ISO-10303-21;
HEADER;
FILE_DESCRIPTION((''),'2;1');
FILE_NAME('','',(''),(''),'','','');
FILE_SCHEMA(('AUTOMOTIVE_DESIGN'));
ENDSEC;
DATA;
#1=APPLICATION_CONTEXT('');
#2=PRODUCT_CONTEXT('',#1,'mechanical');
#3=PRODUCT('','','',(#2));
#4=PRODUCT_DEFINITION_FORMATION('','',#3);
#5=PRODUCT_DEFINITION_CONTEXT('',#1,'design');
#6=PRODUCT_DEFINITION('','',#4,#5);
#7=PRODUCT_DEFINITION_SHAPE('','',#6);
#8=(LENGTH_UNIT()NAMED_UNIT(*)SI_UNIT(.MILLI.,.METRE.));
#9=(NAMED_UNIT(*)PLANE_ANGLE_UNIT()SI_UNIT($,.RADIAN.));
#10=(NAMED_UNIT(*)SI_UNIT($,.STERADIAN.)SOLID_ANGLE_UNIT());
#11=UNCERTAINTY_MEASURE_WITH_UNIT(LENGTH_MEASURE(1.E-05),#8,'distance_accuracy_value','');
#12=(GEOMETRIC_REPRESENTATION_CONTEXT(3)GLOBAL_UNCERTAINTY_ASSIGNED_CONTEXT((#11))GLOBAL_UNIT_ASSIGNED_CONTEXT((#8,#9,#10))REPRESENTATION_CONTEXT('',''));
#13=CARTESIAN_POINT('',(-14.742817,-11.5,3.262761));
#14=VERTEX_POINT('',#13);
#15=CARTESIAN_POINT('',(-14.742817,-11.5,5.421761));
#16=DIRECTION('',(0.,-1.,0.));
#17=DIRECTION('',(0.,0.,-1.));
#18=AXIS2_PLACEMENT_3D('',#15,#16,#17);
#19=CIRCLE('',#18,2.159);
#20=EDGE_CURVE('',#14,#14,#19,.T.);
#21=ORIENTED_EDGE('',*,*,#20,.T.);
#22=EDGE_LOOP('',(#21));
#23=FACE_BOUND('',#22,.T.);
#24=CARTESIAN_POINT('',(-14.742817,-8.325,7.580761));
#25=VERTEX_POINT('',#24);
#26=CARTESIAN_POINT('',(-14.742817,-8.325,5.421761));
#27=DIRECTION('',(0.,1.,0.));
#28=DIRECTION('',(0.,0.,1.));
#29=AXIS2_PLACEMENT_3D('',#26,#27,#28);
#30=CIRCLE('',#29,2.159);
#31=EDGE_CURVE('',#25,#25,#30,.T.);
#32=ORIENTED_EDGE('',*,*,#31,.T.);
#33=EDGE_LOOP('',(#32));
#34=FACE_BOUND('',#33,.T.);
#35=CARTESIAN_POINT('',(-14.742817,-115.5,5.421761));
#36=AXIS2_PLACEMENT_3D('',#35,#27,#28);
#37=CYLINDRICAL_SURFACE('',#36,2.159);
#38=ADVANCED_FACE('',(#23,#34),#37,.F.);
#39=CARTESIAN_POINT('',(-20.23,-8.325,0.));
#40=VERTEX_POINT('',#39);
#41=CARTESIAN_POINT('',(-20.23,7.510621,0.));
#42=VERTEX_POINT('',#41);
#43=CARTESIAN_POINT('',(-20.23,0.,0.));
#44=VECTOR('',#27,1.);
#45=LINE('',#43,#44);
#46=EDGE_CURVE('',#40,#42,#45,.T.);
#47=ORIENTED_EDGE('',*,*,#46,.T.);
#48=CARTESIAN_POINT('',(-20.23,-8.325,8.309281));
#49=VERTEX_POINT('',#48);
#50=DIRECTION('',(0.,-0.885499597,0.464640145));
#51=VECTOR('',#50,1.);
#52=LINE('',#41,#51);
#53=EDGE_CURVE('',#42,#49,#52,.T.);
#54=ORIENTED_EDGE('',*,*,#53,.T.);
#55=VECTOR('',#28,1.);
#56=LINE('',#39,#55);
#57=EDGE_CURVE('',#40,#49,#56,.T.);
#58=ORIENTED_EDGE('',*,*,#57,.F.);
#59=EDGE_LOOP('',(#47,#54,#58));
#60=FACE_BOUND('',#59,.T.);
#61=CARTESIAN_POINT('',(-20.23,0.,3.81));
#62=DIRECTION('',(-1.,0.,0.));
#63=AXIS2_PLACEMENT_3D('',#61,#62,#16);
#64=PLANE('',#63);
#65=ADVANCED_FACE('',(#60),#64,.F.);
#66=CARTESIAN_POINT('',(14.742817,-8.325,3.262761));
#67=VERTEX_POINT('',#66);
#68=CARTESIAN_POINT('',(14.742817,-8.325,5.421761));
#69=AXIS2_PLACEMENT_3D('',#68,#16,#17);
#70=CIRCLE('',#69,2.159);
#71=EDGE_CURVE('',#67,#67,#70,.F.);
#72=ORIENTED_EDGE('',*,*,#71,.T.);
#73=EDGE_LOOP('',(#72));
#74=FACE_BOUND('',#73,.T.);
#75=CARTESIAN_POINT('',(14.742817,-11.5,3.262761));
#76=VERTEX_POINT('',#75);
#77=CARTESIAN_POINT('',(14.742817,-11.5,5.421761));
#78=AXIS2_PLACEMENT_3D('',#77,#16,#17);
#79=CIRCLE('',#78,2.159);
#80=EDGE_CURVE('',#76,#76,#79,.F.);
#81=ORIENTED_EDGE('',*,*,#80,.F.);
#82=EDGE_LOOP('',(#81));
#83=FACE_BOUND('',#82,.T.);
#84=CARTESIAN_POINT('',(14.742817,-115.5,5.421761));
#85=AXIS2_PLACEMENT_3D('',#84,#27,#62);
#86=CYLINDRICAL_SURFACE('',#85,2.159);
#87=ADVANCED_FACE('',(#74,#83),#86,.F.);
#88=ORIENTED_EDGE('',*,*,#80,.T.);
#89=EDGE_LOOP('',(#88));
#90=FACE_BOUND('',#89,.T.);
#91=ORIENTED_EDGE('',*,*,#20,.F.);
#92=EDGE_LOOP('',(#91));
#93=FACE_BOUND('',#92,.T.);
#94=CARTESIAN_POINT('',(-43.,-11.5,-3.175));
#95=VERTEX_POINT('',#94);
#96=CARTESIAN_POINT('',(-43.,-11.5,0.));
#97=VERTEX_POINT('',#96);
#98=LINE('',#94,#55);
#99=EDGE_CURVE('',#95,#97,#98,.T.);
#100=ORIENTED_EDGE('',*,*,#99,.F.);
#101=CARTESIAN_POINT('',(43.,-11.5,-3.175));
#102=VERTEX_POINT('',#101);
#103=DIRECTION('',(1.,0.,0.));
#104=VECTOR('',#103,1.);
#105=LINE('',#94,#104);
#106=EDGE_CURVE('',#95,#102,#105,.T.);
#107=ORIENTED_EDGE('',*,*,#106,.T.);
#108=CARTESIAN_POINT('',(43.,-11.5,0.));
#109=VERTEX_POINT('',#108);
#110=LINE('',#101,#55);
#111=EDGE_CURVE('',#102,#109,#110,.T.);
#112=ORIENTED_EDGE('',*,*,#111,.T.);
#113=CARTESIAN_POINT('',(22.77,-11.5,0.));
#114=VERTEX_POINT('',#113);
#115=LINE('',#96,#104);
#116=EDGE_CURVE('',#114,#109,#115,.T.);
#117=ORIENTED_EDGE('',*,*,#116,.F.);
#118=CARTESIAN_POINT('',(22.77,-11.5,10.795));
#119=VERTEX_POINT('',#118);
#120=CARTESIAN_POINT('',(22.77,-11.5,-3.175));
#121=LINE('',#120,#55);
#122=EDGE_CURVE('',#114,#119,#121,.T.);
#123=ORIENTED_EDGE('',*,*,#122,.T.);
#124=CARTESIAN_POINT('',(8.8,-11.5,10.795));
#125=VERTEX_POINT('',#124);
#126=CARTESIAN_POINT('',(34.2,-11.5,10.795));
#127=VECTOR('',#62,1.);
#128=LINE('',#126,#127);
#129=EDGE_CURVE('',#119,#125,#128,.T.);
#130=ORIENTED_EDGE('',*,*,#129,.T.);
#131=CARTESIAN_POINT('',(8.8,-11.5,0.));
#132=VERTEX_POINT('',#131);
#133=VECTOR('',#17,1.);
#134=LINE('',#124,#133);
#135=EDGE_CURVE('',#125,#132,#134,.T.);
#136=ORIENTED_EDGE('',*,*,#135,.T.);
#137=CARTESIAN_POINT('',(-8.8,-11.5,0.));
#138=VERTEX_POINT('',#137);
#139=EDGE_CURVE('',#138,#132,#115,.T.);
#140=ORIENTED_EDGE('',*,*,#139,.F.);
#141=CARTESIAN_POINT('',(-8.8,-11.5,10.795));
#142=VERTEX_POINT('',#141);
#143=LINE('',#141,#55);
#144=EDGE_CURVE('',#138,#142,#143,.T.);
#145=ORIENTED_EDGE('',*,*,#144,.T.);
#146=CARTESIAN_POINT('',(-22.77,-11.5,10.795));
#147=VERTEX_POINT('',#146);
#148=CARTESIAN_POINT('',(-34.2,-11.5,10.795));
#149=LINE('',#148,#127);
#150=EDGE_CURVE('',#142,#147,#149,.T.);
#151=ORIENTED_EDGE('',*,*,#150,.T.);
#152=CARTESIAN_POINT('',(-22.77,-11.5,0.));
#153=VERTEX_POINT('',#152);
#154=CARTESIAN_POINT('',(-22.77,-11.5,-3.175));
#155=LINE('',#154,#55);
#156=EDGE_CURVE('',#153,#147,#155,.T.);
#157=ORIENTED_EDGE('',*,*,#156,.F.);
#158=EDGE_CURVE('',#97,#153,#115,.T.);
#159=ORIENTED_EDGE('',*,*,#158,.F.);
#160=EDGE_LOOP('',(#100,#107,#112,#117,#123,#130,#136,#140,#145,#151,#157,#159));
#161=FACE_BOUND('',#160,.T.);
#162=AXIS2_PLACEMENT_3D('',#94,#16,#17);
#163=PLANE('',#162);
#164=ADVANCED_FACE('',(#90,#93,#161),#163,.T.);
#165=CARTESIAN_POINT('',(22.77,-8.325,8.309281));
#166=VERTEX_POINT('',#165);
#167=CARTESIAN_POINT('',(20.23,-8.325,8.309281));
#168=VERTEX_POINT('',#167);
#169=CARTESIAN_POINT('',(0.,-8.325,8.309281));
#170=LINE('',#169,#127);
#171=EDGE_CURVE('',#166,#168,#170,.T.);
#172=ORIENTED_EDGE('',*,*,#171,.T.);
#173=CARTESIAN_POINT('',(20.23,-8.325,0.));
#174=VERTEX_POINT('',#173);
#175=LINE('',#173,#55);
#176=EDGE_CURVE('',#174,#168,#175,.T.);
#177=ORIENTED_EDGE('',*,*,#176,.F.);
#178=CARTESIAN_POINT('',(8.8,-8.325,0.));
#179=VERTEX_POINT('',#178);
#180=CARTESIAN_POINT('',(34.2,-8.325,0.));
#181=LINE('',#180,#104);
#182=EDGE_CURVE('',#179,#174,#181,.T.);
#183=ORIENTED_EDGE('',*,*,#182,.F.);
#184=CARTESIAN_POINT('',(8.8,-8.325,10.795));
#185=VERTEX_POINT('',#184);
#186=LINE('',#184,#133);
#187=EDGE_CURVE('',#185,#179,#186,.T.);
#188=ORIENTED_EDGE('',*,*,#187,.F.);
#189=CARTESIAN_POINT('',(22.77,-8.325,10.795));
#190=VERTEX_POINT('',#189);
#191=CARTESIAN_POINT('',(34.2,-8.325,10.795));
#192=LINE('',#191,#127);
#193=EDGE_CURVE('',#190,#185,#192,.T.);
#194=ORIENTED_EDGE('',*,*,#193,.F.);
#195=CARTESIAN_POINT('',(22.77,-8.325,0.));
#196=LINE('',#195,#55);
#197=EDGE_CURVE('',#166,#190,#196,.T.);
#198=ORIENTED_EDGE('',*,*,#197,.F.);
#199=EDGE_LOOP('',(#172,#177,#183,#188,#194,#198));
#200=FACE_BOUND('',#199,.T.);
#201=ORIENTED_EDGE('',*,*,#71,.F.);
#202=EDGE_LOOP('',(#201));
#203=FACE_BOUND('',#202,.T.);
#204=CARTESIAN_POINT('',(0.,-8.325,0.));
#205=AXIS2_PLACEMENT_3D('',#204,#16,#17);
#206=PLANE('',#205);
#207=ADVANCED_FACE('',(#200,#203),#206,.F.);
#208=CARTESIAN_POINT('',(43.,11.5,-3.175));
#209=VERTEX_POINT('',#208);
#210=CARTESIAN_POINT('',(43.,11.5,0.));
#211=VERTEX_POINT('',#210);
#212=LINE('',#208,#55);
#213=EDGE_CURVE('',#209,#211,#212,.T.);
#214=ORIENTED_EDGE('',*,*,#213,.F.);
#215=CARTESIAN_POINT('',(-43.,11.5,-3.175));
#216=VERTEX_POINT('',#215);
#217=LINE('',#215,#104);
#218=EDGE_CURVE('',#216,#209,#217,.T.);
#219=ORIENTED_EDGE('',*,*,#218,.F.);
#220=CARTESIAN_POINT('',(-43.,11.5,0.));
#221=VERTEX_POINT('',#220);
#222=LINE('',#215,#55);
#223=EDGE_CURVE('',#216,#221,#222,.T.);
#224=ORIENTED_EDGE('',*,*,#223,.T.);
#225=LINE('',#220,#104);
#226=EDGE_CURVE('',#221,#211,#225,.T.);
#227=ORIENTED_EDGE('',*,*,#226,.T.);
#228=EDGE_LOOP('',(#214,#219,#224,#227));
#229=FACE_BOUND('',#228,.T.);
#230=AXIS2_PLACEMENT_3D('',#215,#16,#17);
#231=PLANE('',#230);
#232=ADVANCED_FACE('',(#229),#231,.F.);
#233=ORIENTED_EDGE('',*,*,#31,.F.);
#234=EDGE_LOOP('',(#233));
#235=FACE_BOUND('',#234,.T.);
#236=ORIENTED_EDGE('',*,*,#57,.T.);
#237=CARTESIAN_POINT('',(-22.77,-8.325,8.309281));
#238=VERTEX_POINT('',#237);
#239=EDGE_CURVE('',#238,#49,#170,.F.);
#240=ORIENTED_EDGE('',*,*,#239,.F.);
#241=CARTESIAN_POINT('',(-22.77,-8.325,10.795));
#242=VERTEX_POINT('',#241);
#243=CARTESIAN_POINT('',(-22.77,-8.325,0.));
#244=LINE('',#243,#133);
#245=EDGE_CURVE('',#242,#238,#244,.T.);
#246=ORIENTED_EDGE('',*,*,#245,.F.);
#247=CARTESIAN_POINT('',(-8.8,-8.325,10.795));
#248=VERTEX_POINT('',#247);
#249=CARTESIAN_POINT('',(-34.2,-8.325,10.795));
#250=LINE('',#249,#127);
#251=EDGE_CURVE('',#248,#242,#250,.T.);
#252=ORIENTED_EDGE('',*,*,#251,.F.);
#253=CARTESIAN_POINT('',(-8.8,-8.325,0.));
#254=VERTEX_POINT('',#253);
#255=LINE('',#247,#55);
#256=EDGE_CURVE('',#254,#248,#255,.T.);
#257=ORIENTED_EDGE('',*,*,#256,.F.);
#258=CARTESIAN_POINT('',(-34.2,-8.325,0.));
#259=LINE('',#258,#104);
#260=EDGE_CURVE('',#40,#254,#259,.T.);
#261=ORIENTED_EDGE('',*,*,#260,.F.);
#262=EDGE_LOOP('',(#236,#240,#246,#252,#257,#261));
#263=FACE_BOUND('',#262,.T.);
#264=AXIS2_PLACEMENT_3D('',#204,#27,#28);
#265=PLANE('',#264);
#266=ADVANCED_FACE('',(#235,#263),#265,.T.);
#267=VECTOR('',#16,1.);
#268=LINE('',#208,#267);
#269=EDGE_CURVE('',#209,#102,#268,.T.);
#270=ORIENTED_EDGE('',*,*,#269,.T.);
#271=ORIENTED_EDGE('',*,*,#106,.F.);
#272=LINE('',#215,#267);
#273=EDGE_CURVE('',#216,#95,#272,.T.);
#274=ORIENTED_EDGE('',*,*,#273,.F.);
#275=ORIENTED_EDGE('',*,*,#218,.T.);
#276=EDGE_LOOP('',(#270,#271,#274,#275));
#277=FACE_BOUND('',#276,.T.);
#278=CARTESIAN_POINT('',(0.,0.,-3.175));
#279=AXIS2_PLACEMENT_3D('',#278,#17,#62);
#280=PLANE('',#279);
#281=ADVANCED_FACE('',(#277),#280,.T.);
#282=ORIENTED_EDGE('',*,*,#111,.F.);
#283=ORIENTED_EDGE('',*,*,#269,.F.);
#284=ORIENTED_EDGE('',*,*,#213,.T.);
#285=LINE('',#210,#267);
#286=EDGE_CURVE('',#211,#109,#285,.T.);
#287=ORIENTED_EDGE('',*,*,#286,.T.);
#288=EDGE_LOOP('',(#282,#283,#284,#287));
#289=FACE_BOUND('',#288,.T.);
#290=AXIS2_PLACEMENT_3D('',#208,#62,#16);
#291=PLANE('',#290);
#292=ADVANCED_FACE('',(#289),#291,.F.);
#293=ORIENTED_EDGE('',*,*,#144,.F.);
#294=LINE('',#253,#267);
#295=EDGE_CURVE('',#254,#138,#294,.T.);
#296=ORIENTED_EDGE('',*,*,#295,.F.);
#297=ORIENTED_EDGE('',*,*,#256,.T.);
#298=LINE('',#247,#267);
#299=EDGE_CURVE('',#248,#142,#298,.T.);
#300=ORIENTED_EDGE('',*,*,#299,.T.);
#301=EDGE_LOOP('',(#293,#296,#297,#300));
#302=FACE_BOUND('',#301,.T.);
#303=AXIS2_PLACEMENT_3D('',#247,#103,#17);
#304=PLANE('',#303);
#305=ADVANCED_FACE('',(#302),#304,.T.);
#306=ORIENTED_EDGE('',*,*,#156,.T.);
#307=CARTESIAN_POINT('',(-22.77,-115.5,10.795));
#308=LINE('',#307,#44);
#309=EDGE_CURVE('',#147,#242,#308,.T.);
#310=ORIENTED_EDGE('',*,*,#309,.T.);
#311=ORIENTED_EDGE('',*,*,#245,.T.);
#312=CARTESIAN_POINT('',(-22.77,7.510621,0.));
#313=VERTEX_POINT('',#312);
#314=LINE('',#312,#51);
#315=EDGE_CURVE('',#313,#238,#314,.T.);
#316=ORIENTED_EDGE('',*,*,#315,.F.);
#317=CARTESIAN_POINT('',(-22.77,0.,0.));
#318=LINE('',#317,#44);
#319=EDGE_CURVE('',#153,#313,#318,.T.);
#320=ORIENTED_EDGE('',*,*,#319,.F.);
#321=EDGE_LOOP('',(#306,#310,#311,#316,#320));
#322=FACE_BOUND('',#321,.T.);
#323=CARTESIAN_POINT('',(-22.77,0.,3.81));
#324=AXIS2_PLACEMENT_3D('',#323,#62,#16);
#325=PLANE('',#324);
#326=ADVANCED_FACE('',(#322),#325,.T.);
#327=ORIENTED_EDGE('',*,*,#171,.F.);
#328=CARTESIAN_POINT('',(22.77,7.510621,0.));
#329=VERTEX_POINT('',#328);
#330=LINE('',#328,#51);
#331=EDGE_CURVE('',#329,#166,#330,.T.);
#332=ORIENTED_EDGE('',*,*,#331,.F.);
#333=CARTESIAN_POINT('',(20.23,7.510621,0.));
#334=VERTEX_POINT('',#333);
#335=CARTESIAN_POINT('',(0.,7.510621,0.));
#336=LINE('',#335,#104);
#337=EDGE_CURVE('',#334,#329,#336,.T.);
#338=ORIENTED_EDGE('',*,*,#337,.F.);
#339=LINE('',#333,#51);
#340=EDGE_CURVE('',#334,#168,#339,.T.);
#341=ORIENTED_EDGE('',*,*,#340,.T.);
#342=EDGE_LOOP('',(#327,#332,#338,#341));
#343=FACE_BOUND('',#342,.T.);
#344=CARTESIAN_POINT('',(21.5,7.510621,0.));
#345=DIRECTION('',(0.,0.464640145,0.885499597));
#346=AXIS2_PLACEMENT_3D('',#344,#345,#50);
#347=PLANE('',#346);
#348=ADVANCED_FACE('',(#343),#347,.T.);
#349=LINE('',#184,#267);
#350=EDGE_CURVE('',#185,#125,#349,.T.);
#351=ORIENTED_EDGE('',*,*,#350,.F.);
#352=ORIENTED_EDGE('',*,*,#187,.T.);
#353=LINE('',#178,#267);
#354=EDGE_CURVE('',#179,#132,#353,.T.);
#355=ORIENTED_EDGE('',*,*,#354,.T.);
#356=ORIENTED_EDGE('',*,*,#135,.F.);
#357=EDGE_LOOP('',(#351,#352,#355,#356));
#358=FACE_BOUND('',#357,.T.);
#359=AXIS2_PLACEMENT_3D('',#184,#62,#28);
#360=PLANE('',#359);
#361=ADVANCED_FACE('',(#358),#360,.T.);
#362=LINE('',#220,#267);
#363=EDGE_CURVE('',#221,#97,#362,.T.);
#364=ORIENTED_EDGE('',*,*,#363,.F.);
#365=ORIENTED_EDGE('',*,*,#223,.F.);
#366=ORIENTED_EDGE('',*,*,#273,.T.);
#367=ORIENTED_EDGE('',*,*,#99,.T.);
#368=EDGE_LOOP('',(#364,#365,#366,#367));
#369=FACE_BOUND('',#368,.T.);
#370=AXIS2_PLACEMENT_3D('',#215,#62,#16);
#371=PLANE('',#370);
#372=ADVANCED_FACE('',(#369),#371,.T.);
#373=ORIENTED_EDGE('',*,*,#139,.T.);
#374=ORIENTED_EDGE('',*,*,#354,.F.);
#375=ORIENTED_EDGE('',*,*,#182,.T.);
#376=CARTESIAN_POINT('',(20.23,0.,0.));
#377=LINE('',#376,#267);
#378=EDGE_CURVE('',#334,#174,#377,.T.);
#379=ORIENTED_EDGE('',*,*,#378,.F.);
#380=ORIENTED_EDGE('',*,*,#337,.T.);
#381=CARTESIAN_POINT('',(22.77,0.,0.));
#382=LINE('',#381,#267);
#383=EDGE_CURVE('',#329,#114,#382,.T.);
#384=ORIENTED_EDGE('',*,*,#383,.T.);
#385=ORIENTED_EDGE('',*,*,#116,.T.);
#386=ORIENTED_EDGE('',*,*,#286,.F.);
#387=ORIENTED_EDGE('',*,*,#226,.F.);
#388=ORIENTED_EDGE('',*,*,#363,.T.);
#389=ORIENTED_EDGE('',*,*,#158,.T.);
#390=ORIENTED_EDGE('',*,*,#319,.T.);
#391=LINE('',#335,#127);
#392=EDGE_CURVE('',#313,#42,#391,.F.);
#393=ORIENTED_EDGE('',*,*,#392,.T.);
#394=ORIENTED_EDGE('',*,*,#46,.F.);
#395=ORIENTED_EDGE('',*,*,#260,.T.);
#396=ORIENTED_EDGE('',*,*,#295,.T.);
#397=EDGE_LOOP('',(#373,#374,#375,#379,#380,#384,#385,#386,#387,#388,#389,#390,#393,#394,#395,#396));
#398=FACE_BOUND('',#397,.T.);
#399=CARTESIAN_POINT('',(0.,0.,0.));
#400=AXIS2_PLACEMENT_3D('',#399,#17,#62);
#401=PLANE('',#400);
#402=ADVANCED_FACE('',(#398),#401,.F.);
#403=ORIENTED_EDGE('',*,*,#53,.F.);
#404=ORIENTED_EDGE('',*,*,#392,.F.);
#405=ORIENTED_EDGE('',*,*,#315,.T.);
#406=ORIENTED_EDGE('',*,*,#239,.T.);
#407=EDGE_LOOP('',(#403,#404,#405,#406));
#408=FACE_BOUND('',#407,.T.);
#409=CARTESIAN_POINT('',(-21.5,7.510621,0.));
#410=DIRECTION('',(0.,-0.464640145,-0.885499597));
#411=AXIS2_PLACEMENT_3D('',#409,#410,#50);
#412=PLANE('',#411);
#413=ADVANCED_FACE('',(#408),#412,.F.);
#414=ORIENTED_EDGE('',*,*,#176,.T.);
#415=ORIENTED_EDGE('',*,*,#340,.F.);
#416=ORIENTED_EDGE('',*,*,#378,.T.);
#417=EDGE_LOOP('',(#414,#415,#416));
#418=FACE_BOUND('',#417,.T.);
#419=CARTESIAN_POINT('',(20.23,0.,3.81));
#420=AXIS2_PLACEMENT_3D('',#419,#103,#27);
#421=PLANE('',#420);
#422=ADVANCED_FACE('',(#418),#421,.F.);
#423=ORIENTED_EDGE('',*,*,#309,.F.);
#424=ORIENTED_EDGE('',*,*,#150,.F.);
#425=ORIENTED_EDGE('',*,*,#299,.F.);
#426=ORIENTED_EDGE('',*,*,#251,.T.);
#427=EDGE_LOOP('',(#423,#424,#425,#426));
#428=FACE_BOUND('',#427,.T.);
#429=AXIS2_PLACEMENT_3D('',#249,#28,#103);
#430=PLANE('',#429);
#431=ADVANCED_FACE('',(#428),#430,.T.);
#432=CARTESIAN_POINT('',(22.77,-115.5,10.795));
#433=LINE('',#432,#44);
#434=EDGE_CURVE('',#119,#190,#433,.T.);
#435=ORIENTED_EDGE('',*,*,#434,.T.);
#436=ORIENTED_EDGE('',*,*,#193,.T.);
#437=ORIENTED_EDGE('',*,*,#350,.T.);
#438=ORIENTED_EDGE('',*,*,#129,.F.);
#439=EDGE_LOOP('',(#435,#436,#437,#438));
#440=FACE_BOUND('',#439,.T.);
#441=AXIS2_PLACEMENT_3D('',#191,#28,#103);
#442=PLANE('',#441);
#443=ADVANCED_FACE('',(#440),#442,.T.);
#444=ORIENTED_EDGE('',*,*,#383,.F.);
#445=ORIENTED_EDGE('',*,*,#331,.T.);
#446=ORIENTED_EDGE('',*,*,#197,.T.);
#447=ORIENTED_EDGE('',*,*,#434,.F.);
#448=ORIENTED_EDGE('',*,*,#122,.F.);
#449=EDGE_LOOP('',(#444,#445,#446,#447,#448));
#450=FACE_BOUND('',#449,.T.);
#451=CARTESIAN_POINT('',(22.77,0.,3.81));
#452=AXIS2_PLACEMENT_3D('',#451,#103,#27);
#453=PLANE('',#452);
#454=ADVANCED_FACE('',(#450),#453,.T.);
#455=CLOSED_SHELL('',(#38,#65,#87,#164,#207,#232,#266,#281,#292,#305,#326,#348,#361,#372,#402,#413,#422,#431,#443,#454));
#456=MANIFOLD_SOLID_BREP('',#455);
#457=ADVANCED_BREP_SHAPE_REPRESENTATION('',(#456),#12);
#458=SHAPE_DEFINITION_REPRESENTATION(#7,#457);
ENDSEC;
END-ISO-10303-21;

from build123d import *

# Parameters (mm, degrees)
SKETCH1_W           = 86
SKETCH1_H           = 23
BOSS_EXTRUDE1_DEPTH = 3.175
BOSS_EXTRUDE2_DEPTH = 3.175
RIB4_REACH          = 68.401
SKETCH11_WALL_W     = 152.68434621
SKETCH11_WALL_H     = 2.54
SKETCH17_W          = 11.43
SKETCH17_H          = 10.795
CUT_EXTRUDE1_DEPTH  = 127
SKETCH18_R          = 2.159
CUT_EXTRUDE2_DEPTH  = 127


with BuildPart() as part:
    # Sketch1 → Boss-Extrude1 (new body)
    with BuildSketch(Plane.XY):
        Rectangle(SKETCH1_W, SKETCH1_H)
    extrude(amount=-BOSS_EXTRUDE1_DEPTH)

    # Sketch3 → Boss-Extrude2 (add)
    with BuildSketch(Plane(origin=(0, -11.5, 0), x_dir=(-1, 0, 0), z_dir=(0, -1, 0))):
        Polygon((34.200000011, 0), (34.200000011, -10.795), (8.80000001, -10.795), (8.800000011, 0), align=None)
        Polygon((-34.200000011, 0), (-34.200000011, -10.795), (-8.80000001, -10.795), (-8.800000011, 0), align=None)
    extrude(amount=-BOSS_EXTRUDE2_DEPTH)

    # Sketch11 wall → Rib4 (add, up to next)
    with BuildSketch(Plane(origin=(-21.500000011, -0.407189587, 4.154640606), x_dir=(-5.6e-11, -0.885499596527, 0.46464014522), z_dir=(0, 0.46464014522, 0.885499596527)), mode=Mode.PRIVATE) as rib4_sk1:
        Rectangle(SKETCH11_WALL_W, SKETCH11_WALL_H)
    rib4_tool1 = extrude(rib4_sk1.sketch, amount=-RIB4_REACH, mode=Mode.PRIVATE) - part.part
    rib4 = rib4_tool1.solids().sort_by_distance((-21.500000011, -0.407189587, 4.154640606))[0]
    add(rib4)

    # Mirror1: Rib4 across plane
    add(rib4.mirror(Plane(origin=(0, 0, 0), x_dir=(0, 0, 1), z_dir=(1, 0, 0))))

    # Sketch17 → Cut-Extrude1 (cut)
    with BuildSketch(Plane(origin=(0, 11.5, 0), x_dir=(1, 0, 0), z_dir=(0, 1, 0))):
        with Locations((-28.485000011, -5.3975)):
            Rectangle(SKETCH17_W, SKETCH17_H)
    cut_extrude1 = extrude(amount=-CUT_EXTRUDE1_DEPTH, mode=Mode.SUBTRACT)

    # Mirror2: Cut-Extrude1 across plane
    add(cut_extrude1.mirror(Plane(origin=(0, 0, 0), x_dir=(0, 0, 1), z_dir=(1, 0, 0))), mode=Mode.SUBTRACT)

    # Sketch18 → Cut-Extrude2 (cut)
    with BuildSketch(Plane(origin=(0, 11.5, 0), x_dir=(1, 0, 0), z_dir=(0, 1, 0))):
        with Locations(Location((-14.74281704, -5.421760778, 0), (0, 0, 270))):
            Circle(SKETCH18_R)
    cut_extrude2 = extrude(amount=-CUT_EXTRUDE2_DEPTH, mode=Mode.SUBTRACT)

    # Mirror3: Cut-Extrude2 across plane
    add(cut_extrude2.mirror(Plane(origin=(0, 0, 0), x_dir=(0, 0, 1), z_dir=(1, 0, 0))), mode=Mode.SUBTRACT)


solid = part.part
